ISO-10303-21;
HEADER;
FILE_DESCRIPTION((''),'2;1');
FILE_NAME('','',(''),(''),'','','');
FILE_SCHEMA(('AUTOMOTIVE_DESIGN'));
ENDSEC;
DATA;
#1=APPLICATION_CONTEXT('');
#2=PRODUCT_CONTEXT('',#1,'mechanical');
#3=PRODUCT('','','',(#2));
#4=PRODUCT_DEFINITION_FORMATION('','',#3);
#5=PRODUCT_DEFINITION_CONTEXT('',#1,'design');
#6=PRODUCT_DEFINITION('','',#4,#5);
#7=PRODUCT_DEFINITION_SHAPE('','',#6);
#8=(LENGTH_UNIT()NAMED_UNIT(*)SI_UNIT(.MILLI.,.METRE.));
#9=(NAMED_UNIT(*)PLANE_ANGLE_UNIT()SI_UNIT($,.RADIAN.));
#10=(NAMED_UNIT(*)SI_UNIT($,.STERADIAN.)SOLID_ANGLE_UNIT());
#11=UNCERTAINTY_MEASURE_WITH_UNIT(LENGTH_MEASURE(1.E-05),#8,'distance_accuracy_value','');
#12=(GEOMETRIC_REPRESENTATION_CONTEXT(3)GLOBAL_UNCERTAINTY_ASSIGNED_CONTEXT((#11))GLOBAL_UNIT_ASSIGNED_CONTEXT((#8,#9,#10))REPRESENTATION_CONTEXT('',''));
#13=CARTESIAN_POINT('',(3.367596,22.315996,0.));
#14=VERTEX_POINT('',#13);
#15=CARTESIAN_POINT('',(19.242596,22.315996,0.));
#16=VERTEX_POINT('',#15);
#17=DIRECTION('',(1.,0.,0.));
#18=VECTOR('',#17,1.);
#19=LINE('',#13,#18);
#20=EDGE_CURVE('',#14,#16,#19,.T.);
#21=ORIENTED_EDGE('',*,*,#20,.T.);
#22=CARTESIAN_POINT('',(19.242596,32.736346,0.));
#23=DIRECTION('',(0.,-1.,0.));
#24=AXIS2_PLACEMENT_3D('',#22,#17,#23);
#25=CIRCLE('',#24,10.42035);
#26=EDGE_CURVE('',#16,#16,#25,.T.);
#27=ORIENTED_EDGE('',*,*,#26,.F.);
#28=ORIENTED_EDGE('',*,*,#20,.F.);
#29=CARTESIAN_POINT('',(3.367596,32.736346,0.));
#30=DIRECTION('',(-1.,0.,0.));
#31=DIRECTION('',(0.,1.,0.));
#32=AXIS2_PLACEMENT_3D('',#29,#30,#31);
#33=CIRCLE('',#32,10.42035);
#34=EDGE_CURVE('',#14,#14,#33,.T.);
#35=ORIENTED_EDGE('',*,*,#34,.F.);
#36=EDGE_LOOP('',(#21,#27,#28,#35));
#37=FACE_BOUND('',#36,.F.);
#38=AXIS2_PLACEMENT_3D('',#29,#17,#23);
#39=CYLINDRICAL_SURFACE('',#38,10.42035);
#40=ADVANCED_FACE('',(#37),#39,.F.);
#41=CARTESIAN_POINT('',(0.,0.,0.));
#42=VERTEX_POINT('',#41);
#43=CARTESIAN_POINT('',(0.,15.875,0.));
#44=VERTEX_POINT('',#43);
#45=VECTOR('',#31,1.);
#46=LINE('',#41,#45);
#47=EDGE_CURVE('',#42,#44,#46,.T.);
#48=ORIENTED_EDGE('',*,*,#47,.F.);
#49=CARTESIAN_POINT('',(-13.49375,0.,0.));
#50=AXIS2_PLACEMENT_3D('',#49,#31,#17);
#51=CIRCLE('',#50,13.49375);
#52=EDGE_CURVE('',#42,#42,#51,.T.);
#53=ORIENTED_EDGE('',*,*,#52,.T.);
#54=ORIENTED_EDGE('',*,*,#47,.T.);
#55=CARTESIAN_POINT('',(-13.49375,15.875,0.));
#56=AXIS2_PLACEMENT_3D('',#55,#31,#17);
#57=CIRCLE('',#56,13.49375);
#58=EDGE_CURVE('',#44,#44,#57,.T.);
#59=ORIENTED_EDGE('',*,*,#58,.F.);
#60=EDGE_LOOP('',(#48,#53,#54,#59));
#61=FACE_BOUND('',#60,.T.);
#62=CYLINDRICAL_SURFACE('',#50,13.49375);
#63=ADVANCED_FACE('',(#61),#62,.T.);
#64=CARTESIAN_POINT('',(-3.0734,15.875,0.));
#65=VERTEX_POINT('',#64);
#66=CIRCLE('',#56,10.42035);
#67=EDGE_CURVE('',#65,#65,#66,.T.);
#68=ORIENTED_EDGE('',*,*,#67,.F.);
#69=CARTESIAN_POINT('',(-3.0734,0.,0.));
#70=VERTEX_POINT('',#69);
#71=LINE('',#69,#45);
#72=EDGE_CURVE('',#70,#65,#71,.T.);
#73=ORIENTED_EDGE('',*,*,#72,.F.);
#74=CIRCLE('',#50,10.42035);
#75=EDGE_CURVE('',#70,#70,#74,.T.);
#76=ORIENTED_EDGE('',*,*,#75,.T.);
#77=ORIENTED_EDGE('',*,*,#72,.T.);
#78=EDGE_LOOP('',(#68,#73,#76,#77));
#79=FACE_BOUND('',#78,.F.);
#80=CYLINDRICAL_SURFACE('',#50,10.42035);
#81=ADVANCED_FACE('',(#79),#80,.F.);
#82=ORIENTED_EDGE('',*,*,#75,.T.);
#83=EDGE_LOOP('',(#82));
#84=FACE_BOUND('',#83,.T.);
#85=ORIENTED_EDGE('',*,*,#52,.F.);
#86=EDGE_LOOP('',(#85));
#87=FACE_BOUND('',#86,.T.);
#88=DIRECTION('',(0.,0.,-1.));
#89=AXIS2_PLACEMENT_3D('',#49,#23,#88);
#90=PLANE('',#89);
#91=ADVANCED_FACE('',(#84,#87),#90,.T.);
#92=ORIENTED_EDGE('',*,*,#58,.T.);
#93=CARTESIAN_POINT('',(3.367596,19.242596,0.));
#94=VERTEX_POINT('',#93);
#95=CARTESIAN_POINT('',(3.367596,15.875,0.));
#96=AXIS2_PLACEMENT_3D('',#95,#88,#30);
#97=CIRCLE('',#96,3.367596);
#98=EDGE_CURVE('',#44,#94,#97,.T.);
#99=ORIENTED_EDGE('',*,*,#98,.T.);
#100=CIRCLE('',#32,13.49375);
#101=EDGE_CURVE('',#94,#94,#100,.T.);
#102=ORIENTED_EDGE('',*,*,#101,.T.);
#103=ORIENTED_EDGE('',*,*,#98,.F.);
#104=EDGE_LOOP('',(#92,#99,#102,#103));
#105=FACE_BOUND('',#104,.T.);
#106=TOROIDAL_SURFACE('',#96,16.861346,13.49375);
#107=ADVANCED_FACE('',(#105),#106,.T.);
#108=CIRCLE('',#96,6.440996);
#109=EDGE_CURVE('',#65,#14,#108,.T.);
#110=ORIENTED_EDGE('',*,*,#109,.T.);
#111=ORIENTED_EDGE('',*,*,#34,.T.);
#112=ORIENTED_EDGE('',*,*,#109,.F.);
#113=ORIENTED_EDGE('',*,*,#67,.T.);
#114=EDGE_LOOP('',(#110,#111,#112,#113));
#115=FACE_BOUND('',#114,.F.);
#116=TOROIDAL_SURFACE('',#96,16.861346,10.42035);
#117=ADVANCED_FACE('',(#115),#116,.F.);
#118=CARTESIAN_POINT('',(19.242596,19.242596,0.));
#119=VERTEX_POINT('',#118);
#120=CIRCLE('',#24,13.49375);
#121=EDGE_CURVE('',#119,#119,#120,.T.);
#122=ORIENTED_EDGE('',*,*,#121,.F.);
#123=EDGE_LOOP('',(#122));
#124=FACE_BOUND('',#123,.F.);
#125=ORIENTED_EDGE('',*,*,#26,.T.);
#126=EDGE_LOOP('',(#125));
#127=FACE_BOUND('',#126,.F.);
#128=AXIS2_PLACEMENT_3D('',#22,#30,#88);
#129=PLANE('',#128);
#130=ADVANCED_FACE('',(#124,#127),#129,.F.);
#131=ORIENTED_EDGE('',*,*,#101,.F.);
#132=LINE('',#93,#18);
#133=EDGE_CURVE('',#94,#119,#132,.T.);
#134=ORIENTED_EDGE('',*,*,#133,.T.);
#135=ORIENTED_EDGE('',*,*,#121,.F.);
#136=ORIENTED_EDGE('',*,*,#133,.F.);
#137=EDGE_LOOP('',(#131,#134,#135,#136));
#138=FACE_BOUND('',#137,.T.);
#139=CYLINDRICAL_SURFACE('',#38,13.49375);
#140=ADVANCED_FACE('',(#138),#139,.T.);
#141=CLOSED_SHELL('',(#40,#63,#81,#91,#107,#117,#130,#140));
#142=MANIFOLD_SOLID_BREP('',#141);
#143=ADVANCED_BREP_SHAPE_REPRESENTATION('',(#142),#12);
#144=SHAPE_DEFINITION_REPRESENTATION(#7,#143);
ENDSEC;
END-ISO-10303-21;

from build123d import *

# Parameters (mm, degrees)
F1_R = 13.49375
F3_T = -3.0734


with BuildPart() as f2:
    # F2: sweep along a path in F0
    with BuildLine(Plane.XY) as f2_path:
        Line((0, 0), (0, 15.875))
        ThreePointArc((0, 15.875), (0.9863460454, 18.25625), (3.3675960454, 19.2425960454))
        Line((3.3675960454, 19.2425960454), (19.2425960454, 19.2425960454))
    # F1 (on Front) → F2 (sweep)
    with BuildSketch(Plane.XZ):
        with Locations((-13.49375, 0)):
            Circle(F1_R)
    sweep(path=f2_path.line)

    # F3
    f3_openings = [f2.faces().sort_by_distance(p)[0] for p in [
        (-13.49375, 0, 0),
        (19.242596, 32.736346, 0),
    ]]
    offset(amount=F3_T, openings=f3_openings)


solid = f2.part
